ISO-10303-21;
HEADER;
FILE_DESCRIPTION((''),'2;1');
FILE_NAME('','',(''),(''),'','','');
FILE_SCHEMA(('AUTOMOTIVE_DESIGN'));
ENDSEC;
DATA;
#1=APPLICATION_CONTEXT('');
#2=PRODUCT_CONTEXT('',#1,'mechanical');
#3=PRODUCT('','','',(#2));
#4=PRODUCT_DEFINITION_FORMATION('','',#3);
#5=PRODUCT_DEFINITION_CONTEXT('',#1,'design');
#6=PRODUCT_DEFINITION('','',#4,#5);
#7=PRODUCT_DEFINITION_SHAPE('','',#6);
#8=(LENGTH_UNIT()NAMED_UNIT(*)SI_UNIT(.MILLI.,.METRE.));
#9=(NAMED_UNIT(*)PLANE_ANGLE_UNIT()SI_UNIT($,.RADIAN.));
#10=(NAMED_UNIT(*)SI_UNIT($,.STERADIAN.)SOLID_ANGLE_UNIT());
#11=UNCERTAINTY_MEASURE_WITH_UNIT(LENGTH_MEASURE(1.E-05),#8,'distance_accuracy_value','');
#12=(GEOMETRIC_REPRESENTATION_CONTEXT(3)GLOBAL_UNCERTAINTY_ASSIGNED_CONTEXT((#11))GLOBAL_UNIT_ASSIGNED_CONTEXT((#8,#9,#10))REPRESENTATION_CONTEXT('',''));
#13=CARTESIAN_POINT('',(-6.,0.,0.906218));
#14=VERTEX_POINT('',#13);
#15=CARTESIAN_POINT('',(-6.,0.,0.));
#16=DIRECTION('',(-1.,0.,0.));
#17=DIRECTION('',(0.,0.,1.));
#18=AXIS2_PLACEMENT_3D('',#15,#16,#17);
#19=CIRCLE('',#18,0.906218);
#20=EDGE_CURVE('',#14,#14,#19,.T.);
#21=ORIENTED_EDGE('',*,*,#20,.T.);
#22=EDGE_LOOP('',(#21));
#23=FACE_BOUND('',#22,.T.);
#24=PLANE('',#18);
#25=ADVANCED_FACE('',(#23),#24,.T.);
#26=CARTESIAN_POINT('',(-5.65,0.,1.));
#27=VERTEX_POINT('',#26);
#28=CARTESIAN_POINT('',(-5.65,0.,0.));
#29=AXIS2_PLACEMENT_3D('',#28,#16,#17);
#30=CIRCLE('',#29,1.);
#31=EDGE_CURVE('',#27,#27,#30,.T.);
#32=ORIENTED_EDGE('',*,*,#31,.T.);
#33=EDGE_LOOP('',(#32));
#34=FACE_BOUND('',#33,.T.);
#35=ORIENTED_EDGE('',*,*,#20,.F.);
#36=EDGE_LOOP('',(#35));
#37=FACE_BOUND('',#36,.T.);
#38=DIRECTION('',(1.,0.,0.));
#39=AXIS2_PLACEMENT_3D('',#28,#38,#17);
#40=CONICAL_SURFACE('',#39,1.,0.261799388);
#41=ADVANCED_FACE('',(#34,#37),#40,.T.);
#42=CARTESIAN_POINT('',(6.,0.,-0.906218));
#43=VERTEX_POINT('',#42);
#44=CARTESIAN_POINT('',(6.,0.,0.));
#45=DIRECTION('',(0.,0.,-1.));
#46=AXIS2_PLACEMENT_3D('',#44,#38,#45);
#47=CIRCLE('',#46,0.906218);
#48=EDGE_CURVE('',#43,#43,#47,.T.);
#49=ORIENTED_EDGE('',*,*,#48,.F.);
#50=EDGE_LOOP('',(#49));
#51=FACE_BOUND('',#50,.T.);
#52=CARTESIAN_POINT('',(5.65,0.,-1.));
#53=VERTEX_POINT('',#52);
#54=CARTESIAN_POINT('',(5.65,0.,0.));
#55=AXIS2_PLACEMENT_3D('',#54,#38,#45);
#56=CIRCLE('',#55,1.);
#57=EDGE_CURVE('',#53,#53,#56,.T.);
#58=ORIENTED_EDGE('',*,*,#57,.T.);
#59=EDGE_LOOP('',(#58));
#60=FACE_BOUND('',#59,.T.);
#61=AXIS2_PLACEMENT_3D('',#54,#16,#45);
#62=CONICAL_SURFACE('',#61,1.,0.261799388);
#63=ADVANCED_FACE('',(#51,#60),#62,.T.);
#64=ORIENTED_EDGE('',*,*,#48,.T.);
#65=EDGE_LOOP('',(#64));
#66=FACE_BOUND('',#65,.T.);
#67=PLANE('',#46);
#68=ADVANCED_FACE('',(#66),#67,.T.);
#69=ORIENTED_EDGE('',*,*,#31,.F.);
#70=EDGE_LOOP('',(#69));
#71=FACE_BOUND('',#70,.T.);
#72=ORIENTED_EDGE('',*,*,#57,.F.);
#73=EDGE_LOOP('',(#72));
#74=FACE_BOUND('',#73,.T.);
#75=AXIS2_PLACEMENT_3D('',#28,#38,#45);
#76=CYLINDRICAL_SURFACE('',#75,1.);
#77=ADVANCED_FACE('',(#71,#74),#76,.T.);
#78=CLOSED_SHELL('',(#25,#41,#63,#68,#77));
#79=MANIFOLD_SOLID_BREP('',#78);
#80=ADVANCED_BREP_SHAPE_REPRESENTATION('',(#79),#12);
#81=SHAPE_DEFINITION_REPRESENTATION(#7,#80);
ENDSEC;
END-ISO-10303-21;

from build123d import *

# Parameters (mm, degrees)
EXTRUDE1_DEPTH      = 5.65
EXTRUDE1_DEPTH_BACK = 5.65
SKETCH2_R           = 1
SKETCH3_R           = 1
EXTRUDE2_DEPTH      = 0.35
EXTRUDE2_TAPER      = 15
SKETCH4_R           = 1
EXTRUDE3_DEPTH      = 0.35
EXTRUDE3_TAPER      = 15


with BuildPart() as part:
    # Sketch2 → Extrude1 (new, two sides: drawn at the far end of the back side and taken through both)
    with BuildSketch(Plane(origin=(0, 0, 0), x_dir=(0, 0, -1), z_dir=(1, 0, 0)).offset(-EXTRUDE1_DEPTH_BACK)):
        Circle(SKETCH2_R)
    extrude(amount=EXTRUDE1_DEPTH + EXTRUDE1_DEPTH_BACK)

    # Sketch3 → Extrude2 (add)
    with BuildSketch(Plane(origin=(5.65, 0, 0), x_dir=(0, 0, -1), z_dir=(1, 0, 0))):
        Circle(SKETCH3_R)
    extrude(amount=EXTRUDE2_DEPTH, taper=EXTRUDE2_TAPER)

    # Sketch4 → Extrude3 (add)
    with BuildSketch(Plane.ZY.offset(5.65)):
        with Locations(Location((0, 0, 0), (0, 0, 180))):
            Circle(SKETCH4_R)
    extrude(amount=EXTRUDE3_DEPTH, taper=EXTRUDE3_TAPER)


solid = part.part
